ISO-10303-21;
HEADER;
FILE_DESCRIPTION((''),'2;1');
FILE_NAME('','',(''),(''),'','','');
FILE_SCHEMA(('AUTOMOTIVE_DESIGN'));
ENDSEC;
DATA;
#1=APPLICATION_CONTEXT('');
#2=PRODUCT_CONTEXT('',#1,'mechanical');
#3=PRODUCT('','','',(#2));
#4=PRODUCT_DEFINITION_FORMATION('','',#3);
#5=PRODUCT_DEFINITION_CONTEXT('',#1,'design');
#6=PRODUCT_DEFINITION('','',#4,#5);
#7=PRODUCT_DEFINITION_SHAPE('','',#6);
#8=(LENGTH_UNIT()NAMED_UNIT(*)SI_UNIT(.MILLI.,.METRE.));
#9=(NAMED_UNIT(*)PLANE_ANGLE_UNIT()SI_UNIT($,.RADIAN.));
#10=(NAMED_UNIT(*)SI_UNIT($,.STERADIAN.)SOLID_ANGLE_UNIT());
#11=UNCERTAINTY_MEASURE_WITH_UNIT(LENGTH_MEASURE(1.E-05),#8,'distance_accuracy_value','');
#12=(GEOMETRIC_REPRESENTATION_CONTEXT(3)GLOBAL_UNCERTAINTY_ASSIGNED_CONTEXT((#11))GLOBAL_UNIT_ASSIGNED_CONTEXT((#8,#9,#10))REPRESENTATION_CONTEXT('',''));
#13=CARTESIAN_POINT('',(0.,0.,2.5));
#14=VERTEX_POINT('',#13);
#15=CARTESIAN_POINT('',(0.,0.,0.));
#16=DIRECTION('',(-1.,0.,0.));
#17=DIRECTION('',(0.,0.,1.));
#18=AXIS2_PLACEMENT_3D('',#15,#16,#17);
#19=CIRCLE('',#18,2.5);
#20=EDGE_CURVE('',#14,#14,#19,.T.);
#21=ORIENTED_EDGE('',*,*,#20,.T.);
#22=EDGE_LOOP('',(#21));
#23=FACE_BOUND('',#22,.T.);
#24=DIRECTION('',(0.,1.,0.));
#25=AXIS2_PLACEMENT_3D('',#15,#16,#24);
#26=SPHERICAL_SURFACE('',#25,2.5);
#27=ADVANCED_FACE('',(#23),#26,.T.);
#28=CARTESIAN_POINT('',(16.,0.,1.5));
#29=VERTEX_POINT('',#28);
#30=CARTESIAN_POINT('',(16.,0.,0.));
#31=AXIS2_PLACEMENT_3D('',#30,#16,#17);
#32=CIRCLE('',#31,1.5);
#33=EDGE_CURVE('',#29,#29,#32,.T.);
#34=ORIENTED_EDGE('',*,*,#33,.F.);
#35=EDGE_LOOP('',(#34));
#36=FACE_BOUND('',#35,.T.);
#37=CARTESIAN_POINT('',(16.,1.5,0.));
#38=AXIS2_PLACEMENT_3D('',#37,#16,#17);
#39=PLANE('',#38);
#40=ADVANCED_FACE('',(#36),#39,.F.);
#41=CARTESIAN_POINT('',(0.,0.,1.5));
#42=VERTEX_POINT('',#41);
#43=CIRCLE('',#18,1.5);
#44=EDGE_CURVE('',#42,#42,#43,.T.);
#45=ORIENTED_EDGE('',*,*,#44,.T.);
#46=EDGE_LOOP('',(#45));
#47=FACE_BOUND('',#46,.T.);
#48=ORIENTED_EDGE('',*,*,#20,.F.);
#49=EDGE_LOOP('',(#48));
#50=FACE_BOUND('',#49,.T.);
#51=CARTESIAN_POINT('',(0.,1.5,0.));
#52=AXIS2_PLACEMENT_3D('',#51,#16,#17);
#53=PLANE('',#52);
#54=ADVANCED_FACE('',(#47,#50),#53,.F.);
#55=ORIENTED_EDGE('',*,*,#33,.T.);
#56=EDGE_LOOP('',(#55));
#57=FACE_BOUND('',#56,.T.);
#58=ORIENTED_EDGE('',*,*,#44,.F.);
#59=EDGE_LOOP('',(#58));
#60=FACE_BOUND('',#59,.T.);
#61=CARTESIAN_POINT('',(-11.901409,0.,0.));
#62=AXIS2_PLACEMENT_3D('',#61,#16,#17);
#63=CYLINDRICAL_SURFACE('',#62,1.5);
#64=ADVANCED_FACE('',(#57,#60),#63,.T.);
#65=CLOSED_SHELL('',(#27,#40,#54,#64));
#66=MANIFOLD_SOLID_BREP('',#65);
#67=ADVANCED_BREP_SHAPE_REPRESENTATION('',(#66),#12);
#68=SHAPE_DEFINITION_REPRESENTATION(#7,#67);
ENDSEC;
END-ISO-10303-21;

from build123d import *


with BuildPart() as part:
    # Эскиз1 → Повернуть1 (revolve)
    with BuildSketch(Plane.XY):
        with BuildLine():
            Line((16, 0), (-2.5, 0))
            ThreePointArc((-2.5, 0), (-1.767766953, 1.767766953), (0, 2.5))
            Line((0, 2.5), (0, 1.5))
            Line((0, 1.5), (16, 1.5))
            Line((16, 1.5), (16, 0))
        make_face()
    revolve(axis=Axis((-11.901409019, 0, 0), (1, 0, 0)))


solid = part.part
